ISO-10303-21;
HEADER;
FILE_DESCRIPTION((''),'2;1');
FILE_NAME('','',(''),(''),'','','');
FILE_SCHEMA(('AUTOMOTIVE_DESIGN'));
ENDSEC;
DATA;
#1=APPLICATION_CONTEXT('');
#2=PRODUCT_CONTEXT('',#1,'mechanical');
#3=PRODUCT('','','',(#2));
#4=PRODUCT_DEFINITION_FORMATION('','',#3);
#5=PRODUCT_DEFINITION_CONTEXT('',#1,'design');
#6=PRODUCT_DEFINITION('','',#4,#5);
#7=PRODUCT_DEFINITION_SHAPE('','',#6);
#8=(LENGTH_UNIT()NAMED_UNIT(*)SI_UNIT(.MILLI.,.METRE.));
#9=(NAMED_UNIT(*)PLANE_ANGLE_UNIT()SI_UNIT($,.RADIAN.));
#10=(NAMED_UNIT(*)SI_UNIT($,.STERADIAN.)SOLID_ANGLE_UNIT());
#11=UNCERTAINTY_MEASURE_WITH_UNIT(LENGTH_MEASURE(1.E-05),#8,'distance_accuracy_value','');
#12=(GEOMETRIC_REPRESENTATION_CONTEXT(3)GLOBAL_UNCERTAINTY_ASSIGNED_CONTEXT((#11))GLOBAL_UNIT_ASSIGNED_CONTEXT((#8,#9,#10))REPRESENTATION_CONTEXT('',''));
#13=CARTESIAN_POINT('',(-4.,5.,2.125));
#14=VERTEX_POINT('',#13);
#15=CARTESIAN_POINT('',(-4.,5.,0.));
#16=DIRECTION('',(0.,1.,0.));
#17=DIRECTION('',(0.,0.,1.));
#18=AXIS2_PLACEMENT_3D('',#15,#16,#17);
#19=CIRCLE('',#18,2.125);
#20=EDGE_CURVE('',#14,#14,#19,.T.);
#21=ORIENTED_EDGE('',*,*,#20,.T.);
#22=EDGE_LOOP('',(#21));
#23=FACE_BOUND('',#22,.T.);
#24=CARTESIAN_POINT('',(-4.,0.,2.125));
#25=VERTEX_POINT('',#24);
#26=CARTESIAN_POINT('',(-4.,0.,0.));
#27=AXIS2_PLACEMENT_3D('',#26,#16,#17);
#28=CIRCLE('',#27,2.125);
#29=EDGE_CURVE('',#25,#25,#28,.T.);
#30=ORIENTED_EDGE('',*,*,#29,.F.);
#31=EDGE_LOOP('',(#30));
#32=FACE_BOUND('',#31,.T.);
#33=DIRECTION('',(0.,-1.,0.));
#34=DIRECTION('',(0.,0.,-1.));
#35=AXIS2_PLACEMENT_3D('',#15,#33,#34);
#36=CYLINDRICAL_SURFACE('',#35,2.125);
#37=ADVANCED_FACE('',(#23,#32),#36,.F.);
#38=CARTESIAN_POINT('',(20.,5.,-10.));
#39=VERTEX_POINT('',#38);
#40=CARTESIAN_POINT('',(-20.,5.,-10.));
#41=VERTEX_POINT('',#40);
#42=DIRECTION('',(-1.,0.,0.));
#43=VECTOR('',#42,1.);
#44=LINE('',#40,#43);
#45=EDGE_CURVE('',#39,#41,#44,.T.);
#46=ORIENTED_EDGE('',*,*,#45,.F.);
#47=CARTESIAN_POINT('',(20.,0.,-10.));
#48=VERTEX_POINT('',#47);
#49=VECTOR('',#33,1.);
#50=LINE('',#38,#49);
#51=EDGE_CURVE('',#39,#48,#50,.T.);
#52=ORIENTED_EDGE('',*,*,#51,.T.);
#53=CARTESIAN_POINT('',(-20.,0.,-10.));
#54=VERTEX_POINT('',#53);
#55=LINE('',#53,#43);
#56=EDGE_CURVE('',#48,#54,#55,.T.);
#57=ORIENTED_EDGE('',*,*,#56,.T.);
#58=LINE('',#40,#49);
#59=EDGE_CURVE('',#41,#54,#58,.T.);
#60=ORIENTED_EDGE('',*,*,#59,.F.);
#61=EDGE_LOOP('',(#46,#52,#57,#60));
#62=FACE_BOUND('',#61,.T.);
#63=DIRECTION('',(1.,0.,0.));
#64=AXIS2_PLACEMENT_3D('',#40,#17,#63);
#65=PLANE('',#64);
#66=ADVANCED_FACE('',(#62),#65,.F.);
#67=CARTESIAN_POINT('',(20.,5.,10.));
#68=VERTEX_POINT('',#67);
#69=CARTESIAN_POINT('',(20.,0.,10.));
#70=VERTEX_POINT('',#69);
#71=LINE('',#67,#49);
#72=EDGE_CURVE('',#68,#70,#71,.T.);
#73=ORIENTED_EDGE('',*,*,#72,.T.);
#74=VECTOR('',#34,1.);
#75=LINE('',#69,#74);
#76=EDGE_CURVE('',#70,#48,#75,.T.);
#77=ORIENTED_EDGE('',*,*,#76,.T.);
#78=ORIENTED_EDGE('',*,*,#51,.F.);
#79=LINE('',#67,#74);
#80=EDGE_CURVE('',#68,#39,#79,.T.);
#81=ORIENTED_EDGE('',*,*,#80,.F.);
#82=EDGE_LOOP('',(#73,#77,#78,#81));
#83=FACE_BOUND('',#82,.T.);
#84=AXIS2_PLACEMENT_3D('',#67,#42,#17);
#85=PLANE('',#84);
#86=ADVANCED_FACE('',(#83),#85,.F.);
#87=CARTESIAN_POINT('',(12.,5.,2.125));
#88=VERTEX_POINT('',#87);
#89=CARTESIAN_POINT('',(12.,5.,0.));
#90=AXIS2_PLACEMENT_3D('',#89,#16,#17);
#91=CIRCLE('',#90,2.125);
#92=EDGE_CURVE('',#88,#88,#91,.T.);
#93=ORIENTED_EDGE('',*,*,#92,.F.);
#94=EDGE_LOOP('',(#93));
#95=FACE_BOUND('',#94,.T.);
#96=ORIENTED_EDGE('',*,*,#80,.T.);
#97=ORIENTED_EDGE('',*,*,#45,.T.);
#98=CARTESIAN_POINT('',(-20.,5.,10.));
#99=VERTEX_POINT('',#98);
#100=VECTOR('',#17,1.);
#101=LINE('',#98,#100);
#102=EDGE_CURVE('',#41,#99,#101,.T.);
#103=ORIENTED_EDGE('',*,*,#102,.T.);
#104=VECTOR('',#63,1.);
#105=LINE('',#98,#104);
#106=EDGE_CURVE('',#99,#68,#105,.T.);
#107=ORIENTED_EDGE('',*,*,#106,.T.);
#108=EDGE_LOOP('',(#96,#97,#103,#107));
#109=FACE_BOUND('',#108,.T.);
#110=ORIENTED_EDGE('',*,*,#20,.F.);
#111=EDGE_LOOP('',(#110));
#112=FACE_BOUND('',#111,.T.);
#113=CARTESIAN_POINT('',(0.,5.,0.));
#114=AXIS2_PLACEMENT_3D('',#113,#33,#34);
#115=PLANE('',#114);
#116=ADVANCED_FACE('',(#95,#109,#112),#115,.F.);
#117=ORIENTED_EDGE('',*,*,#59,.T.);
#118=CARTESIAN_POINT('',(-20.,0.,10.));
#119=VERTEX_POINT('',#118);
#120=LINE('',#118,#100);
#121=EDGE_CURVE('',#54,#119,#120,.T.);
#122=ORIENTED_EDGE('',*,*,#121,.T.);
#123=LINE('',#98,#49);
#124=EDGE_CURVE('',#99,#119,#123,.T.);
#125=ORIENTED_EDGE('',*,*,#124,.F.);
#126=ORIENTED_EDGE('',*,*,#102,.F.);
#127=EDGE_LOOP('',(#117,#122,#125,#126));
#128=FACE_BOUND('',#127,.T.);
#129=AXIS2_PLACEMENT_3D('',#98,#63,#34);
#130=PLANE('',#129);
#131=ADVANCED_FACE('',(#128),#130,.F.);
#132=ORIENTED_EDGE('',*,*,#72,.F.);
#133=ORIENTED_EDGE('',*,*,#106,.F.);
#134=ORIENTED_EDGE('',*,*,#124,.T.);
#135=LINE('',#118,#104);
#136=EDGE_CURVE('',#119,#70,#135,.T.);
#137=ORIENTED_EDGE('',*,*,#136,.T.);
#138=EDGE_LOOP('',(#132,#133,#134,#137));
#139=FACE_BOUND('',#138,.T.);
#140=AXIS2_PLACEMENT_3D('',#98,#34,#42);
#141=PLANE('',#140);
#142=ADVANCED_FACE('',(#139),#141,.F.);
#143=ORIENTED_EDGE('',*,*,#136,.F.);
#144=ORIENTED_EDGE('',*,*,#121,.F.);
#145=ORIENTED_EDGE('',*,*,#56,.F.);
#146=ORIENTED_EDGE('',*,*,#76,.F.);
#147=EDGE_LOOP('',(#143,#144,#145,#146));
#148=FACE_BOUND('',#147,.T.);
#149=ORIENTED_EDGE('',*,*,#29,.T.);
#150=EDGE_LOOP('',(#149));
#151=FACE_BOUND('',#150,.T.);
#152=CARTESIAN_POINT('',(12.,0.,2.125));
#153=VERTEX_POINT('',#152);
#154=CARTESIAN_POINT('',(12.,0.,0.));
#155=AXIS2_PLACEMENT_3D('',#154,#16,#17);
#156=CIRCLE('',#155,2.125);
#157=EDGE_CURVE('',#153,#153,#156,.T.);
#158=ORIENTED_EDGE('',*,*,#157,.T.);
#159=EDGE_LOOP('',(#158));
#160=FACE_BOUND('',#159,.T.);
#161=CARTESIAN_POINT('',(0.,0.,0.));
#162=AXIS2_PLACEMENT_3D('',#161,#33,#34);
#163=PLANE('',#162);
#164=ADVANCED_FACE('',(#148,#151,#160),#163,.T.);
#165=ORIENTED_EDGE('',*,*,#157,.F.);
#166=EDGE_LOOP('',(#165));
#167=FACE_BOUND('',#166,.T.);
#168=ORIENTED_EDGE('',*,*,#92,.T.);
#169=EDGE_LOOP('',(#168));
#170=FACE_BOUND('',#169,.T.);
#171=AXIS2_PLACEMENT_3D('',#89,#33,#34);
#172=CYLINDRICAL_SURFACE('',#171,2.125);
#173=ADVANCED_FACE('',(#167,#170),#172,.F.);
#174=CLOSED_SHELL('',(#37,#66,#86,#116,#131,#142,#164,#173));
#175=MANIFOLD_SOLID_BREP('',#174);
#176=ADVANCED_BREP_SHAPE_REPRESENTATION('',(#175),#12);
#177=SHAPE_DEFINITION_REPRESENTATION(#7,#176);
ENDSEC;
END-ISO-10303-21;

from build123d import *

# Parameters (mm, degrees)
SKETCH1_W           = 40
SKETCH1_H           = 20
SKETCH1_R           = 2.125
BOSS_EXTRUDE1_DEPTH = 5


with BuildPart() as part:
    # Sketch1 → Boss-Extrude1 (new body)
    with BuildSketch(Plane(origin=(0, 0, 0), x_dir=(1, 0, 0), z_dir=(0, 1, 0))):
        Rectangle(SKETCH1_W, SKETCH1_H)
        with Locations(Location((12, 0, 0), (0, 0, 270))):
            Circle(SKETCH1_R, mode=Mode.SUBTRACT)
        with Locations(Location((-4, 0, 0), (0, 0, 270))):
            Circle(SKETCH1_R, mode=Mode.SUBTRACT)
    extrude(amount=BOSS_EXTRUDE1_DEPTH)


solid = part.part
